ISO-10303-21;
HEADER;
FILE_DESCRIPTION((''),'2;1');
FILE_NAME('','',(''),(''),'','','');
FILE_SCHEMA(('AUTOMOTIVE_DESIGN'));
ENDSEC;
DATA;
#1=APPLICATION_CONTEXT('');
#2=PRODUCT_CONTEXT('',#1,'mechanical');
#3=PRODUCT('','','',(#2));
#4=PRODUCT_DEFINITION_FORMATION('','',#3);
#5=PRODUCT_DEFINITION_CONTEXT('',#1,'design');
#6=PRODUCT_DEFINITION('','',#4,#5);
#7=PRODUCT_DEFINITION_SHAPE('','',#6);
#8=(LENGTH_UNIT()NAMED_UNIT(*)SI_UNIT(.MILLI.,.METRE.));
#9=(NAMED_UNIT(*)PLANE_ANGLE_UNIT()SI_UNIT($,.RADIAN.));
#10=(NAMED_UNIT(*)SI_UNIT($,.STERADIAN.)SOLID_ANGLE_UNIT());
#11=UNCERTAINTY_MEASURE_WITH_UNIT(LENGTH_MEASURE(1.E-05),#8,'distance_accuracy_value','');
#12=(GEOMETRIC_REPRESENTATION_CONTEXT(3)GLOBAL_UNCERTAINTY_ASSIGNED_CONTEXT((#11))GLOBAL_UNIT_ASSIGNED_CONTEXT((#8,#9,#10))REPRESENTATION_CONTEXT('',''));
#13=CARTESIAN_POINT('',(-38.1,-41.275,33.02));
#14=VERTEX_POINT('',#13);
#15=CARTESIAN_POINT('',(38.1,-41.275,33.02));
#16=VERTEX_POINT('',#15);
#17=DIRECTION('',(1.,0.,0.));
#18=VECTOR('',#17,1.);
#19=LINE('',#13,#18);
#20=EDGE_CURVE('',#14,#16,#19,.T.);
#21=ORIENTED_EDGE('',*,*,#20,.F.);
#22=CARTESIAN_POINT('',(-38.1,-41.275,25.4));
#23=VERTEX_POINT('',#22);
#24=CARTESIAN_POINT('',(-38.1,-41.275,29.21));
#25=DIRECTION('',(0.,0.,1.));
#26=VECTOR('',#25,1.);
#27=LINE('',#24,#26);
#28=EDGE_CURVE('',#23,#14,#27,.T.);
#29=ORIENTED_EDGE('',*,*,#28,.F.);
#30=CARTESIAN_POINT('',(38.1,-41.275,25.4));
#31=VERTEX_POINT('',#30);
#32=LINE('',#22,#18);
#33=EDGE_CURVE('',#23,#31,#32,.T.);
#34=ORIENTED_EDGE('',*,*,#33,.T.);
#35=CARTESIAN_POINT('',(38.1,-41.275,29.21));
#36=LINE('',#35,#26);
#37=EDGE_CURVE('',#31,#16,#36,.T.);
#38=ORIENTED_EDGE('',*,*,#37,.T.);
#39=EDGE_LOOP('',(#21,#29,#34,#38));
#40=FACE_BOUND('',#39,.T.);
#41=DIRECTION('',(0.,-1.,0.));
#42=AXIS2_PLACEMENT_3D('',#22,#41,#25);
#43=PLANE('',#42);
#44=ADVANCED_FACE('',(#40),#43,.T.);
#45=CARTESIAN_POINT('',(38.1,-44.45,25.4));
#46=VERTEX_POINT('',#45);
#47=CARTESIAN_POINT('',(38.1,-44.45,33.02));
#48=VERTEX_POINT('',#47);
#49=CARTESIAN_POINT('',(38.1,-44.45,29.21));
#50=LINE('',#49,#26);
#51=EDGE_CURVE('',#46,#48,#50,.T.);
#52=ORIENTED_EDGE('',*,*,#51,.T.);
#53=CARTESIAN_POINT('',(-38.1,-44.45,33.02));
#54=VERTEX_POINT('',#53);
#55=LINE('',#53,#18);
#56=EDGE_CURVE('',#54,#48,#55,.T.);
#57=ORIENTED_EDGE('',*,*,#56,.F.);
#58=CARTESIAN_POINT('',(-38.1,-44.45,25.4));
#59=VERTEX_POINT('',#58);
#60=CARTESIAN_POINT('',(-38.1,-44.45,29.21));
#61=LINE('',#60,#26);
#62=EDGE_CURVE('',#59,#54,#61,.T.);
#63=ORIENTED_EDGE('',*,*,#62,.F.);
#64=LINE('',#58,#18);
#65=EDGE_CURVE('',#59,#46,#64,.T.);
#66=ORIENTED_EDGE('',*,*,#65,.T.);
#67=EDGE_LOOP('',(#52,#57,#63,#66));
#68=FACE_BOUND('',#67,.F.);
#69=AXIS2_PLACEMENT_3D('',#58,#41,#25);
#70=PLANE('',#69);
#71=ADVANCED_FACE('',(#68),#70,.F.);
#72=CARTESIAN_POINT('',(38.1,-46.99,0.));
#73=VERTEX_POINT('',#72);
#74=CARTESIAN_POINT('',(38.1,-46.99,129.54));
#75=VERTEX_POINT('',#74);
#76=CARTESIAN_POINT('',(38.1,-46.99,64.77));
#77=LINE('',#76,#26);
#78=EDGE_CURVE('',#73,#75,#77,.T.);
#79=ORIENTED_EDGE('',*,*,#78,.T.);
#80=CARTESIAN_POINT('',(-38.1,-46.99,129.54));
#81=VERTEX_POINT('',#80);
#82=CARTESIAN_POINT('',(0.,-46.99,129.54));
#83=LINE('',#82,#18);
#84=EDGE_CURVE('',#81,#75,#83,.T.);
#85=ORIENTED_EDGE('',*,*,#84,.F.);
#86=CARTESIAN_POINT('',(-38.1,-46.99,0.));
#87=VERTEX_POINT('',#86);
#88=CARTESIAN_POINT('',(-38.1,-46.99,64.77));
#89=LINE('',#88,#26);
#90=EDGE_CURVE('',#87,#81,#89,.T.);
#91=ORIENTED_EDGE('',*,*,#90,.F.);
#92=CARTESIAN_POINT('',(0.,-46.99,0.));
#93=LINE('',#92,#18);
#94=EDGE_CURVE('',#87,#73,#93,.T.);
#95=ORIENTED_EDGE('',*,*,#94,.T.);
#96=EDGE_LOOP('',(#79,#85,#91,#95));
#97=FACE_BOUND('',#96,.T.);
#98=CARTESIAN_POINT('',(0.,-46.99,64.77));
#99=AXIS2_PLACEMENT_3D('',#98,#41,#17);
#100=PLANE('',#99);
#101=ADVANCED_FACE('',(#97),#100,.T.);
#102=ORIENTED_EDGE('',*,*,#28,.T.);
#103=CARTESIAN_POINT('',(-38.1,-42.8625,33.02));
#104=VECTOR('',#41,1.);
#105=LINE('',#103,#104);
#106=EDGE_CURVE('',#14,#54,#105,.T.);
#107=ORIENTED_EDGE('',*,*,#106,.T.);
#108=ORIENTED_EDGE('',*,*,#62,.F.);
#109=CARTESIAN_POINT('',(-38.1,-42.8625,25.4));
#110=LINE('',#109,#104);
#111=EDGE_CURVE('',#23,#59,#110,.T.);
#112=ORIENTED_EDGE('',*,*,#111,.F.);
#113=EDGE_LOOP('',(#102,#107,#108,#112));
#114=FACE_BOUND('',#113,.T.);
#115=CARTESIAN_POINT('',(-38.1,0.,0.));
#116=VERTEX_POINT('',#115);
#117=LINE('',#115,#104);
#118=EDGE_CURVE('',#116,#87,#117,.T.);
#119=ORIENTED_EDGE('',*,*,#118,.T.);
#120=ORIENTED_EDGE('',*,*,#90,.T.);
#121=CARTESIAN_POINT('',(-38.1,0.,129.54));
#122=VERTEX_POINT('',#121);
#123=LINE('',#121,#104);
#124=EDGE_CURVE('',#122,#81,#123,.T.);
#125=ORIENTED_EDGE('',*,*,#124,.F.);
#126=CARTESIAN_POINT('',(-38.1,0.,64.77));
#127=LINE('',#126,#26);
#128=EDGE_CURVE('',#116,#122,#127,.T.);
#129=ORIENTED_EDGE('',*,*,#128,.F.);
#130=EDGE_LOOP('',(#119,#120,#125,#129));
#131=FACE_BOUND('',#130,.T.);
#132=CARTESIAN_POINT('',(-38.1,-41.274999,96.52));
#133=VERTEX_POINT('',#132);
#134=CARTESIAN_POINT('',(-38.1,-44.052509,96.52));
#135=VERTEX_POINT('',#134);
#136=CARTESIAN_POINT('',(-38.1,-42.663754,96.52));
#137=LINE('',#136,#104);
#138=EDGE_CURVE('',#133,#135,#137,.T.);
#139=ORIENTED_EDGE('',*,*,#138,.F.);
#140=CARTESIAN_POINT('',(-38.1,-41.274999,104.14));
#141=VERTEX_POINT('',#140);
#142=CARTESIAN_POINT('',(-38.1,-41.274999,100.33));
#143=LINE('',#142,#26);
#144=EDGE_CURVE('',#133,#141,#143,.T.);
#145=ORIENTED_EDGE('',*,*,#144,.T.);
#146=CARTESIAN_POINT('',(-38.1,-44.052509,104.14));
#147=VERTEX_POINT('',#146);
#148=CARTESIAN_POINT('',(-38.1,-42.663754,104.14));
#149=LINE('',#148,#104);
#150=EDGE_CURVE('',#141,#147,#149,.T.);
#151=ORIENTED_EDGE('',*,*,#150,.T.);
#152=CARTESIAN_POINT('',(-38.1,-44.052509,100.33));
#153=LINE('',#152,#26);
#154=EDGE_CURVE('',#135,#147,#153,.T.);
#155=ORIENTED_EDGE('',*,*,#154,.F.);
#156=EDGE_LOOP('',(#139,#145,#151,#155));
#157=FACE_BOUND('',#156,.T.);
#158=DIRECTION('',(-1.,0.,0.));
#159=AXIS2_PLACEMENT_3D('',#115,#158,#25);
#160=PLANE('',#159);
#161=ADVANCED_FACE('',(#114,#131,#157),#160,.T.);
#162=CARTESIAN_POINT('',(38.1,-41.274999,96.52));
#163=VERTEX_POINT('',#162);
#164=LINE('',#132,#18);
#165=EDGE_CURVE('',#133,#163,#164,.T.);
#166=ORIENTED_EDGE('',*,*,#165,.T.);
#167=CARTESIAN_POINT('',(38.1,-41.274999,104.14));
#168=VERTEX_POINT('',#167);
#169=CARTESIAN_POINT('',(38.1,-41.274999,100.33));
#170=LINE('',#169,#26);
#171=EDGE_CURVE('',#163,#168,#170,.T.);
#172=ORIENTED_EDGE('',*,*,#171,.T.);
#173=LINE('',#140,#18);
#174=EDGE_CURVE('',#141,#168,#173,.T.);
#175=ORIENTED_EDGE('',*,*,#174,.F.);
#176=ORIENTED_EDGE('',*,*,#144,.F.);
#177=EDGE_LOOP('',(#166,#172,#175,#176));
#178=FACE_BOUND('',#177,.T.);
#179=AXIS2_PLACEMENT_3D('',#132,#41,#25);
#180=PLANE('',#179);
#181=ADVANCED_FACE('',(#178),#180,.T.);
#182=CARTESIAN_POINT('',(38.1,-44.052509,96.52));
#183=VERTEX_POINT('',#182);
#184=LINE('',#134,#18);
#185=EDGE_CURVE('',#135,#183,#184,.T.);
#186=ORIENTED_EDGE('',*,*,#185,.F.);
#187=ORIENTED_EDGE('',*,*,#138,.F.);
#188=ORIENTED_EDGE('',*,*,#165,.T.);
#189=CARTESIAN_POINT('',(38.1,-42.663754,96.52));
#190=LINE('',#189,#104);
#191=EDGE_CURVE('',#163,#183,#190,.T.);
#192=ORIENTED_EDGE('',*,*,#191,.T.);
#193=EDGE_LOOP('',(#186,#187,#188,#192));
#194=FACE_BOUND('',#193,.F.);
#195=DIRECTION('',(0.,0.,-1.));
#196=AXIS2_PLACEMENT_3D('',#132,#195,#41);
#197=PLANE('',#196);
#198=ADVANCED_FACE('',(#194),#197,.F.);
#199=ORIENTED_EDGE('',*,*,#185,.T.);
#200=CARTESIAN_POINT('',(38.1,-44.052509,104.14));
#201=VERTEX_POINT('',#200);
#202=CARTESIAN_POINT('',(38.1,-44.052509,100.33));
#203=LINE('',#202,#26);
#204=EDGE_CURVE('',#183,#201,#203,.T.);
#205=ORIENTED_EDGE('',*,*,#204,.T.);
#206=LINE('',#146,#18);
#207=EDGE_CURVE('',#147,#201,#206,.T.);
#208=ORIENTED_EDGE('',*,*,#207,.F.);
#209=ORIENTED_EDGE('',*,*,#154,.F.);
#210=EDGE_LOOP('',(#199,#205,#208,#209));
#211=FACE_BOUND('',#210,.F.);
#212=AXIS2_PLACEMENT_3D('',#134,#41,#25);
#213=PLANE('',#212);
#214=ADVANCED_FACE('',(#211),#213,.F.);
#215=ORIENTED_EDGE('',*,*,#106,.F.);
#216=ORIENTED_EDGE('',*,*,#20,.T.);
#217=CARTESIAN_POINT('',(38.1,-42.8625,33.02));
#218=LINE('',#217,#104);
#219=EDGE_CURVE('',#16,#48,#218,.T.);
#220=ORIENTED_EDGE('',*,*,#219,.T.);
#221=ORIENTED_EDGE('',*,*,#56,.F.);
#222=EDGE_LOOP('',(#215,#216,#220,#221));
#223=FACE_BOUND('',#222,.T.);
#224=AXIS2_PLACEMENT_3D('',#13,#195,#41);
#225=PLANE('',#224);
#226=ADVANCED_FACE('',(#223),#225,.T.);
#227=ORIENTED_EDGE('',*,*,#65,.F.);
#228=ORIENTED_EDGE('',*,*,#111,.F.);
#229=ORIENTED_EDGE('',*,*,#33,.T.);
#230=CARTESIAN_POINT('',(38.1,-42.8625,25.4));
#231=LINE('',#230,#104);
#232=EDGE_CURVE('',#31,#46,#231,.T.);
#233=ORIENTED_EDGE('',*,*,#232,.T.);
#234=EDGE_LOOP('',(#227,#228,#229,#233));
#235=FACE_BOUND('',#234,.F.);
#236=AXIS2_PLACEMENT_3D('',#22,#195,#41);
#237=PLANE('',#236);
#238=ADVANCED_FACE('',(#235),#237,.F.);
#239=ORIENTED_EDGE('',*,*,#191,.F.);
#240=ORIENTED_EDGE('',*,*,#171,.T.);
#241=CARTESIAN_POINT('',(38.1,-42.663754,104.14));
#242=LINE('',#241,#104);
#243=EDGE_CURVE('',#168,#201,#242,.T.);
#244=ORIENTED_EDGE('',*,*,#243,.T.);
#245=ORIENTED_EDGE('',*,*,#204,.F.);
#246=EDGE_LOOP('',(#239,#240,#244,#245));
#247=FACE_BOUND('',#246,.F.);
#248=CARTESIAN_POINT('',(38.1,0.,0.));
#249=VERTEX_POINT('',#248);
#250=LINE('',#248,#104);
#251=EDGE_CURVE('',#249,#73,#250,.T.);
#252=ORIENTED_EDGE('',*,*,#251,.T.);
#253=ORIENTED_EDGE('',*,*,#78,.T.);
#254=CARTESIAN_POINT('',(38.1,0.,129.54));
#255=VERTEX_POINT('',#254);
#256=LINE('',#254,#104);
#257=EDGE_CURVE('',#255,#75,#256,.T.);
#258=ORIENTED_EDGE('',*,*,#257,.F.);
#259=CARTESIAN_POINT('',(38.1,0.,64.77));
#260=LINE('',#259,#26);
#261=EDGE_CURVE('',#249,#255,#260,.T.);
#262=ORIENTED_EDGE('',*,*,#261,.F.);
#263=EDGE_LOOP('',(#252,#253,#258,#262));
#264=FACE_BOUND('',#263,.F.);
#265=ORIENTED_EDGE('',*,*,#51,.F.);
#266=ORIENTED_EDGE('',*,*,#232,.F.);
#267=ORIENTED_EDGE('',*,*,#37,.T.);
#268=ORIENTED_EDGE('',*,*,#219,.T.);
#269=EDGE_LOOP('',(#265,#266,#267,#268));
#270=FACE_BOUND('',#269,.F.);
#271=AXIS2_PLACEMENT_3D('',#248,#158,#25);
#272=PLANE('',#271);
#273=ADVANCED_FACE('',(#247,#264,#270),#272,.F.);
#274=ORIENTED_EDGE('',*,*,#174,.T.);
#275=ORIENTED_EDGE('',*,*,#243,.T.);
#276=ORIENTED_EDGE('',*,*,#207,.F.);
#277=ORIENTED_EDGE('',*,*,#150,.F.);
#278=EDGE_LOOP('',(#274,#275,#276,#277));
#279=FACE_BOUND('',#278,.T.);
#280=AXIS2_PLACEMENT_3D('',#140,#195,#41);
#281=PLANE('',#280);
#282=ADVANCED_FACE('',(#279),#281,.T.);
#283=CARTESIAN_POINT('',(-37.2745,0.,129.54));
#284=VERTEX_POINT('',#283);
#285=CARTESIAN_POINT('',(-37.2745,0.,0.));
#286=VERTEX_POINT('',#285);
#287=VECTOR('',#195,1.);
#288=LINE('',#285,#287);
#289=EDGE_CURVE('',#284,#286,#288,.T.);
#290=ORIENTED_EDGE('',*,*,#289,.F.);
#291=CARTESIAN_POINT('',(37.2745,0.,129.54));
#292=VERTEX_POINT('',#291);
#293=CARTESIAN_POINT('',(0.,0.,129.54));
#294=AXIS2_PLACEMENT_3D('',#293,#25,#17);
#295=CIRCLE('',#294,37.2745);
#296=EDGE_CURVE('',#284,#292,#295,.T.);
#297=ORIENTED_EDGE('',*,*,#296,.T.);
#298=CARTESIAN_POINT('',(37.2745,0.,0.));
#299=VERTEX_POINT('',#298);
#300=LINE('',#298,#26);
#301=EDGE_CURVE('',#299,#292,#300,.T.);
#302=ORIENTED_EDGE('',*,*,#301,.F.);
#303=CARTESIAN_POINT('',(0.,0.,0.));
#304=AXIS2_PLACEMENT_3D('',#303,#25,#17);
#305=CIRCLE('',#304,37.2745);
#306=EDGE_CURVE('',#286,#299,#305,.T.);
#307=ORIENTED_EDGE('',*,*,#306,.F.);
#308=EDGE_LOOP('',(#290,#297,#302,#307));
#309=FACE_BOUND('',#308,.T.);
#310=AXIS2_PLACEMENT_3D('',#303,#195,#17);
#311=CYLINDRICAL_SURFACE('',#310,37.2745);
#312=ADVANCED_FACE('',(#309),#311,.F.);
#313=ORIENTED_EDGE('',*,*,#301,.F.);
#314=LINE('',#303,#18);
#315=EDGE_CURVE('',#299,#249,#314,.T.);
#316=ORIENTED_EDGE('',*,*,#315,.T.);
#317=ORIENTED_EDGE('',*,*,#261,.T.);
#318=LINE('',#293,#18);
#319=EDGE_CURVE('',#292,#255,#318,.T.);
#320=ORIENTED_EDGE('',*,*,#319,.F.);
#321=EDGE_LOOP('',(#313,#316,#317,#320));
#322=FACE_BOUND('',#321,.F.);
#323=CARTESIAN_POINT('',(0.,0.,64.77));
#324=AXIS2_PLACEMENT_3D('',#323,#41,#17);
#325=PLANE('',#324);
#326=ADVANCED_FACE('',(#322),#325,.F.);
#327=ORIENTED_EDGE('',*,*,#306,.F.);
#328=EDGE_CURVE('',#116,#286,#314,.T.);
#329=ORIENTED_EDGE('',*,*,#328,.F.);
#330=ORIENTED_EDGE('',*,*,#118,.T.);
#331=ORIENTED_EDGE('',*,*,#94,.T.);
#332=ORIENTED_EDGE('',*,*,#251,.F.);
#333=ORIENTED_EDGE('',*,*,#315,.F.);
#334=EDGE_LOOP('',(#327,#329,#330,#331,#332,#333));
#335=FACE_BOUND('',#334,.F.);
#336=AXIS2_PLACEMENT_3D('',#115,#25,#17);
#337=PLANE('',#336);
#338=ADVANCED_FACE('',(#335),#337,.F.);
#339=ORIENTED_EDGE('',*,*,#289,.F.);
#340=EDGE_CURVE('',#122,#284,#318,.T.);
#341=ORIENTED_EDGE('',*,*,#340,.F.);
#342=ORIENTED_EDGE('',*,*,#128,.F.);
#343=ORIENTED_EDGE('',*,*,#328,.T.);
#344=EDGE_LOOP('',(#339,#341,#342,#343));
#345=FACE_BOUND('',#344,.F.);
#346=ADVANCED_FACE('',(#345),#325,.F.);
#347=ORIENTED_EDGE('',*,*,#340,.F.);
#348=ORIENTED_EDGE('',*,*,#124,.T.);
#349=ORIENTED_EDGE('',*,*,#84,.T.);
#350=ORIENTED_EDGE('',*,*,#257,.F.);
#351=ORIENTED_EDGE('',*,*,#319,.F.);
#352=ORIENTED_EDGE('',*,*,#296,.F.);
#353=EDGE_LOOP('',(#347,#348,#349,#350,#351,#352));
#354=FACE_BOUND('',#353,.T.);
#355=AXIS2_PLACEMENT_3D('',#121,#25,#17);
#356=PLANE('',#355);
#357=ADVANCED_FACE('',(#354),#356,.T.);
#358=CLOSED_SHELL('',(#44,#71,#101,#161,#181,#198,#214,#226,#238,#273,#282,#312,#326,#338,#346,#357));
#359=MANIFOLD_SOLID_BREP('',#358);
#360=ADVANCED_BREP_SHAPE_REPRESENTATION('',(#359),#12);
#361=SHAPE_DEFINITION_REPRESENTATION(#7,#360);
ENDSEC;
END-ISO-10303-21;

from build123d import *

# Parameters (mm, degrees)
F0_W     = 76.2
F0_H     = 129.54
F1_DEPTH = 46.99
F2_R     = 37.2745
F3_DEPTH = 129.54
F4_W     = 3.175
F4_H     = 7.62
F4_W_2   = 2.777509
F5_DEPTH = 76.2


with BuildPart() as f1:
    # F0 (on Front) → F1 (new body)
    with BuildSketch(Plane.XZ):
        with Locations((0, 64.77)):
            Rectangle(F0_W, F0_H)
    extrude(amount=F1_DEPTH)

    # F2 (on Top) → F3 (cut, through all)
    with BuildSketch(Plane.XY):
        Circle(F2_R)
    extrude(amount=F3_DEPTH, mode=Mode.SUBTRACT)

    # F4 (on face) → F5 (cut, through all)
    with BuildSketch(Plane(origin=(-38.1, 0, 0), x_dir=(0, -1, 0), z_dir=(-1, 0, 0))):
        with Locations((42.8625, 29.21)):
            Rectangle(F4_W, F4_H)
        with Locations((42.663754, 100.33)):
            Rectangle(F4_W_2, F4_H)
    extrude(amount=-F5_DEPTH, mode=Mode.SUBTRACT)


solid = f1.part
